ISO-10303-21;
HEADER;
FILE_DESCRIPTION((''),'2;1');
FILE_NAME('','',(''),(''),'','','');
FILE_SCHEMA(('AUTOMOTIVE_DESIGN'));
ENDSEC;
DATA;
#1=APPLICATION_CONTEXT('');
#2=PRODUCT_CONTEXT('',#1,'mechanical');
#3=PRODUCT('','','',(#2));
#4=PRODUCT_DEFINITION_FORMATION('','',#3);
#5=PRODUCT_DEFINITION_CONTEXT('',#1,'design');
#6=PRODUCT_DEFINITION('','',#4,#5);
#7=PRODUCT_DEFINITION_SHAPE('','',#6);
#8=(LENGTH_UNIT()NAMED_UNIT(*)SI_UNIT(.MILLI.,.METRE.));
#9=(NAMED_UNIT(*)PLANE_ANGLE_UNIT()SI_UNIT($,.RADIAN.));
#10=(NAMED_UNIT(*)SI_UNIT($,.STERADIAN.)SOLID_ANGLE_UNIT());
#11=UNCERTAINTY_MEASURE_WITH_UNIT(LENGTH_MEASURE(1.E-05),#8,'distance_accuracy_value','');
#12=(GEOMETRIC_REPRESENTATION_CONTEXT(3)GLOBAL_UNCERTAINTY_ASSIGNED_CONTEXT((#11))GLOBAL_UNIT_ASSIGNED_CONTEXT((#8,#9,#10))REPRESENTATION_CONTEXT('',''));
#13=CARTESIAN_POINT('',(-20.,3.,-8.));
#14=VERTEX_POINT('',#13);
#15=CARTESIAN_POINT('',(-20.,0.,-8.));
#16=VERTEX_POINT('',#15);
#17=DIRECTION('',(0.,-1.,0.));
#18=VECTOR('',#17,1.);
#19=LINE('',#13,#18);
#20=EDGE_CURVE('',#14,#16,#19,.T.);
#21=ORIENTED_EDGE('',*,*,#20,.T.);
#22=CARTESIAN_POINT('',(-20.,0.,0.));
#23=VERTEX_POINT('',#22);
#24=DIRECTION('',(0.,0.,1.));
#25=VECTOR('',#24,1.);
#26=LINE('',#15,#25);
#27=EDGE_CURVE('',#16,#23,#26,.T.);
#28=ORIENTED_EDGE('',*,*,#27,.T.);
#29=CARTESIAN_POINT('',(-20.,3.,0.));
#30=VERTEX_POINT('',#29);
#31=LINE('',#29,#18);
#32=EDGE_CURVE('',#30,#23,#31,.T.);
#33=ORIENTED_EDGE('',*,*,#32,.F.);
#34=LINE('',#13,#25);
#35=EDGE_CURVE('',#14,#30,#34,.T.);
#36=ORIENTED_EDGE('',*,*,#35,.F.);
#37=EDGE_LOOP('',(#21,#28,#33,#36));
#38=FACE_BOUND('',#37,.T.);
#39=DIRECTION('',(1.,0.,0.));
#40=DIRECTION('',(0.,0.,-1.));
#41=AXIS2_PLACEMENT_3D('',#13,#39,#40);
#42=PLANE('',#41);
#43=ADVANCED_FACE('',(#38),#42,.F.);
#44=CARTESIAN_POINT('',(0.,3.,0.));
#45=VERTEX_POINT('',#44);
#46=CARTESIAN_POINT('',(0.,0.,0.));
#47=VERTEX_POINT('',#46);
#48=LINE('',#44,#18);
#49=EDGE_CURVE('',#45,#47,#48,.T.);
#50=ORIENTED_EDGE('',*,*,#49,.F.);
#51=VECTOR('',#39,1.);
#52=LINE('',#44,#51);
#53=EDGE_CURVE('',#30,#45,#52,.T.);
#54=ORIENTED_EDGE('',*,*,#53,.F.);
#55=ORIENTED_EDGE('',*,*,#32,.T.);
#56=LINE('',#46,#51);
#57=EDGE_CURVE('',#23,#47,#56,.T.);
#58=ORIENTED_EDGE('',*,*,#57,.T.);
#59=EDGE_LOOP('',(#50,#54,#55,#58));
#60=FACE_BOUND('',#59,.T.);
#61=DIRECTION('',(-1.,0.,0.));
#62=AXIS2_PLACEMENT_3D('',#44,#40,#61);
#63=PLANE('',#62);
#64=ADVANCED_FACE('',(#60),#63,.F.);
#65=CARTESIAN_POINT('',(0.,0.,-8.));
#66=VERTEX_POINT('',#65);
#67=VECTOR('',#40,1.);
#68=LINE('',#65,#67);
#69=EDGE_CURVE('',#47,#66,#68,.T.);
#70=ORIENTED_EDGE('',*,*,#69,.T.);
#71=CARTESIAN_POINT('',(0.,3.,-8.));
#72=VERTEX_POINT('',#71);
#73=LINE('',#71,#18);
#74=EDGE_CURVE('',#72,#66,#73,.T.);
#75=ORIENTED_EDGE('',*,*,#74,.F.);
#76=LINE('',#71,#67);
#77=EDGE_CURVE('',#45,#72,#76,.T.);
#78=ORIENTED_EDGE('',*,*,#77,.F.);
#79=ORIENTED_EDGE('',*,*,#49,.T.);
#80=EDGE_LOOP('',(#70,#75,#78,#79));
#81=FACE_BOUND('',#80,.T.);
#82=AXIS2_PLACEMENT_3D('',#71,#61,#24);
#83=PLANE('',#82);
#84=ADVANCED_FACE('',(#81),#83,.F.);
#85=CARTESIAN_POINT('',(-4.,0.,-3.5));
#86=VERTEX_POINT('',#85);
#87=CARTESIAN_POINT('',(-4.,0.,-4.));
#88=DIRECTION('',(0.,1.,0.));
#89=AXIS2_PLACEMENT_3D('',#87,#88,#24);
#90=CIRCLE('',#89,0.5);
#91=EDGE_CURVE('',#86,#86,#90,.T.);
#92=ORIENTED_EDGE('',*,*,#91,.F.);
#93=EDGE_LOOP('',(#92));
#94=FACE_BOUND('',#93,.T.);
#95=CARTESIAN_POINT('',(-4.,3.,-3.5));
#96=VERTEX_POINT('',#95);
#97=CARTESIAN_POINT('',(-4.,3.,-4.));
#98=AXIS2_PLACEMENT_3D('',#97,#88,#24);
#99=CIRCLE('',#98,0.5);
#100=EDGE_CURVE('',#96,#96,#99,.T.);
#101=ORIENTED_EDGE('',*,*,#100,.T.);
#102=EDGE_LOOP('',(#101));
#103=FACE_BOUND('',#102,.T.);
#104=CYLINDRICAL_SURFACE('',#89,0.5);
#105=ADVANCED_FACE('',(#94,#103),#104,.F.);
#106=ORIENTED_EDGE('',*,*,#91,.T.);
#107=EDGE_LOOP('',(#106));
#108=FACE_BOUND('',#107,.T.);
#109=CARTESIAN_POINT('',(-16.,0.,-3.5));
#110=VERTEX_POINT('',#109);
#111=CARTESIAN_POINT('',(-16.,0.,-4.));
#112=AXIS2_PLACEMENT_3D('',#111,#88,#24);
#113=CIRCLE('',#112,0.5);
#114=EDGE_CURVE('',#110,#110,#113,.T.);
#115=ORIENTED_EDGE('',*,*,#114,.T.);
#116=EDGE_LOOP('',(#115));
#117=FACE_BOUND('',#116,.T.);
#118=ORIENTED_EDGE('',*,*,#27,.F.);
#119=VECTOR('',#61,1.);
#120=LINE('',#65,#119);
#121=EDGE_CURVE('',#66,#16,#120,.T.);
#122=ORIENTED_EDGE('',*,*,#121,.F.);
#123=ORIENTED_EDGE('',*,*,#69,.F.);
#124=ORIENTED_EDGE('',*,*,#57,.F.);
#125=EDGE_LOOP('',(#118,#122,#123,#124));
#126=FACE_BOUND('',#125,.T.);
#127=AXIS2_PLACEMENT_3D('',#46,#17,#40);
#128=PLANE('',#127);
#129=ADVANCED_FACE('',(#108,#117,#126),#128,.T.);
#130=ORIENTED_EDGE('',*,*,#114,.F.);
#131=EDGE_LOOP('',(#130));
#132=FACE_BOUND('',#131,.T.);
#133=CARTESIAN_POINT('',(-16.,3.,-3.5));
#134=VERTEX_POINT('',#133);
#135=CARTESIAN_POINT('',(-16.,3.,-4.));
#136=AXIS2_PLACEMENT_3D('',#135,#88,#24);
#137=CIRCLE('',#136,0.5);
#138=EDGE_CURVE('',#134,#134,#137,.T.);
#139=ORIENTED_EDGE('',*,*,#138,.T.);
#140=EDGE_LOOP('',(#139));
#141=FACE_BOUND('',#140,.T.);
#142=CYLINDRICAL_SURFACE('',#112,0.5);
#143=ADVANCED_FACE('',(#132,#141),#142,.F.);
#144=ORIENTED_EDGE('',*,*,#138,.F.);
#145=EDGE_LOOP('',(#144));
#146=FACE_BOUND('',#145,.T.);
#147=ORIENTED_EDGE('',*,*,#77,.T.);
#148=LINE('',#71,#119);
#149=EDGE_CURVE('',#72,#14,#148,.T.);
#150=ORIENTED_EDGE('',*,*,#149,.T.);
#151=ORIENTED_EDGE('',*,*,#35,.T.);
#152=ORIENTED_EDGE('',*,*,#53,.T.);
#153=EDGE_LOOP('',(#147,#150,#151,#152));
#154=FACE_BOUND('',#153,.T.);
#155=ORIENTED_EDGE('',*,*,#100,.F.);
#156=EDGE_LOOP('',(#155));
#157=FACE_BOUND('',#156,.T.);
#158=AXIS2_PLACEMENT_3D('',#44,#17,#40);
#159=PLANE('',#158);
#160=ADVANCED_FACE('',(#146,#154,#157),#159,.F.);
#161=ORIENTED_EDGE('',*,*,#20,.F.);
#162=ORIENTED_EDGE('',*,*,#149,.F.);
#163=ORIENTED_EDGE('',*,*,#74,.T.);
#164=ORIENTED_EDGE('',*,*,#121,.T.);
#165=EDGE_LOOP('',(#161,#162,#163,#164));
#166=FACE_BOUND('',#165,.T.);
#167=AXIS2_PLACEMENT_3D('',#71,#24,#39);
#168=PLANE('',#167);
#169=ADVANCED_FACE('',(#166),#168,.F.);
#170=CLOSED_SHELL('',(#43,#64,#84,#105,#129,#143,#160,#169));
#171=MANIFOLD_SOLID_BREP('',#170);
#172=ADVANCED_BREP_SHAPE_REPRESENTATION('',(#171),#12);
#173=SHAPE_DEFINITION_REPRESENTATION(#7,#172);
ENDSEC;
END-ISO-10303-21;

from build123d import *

# Parameters (mm, degrees)
SKETCH1_W           = 20
SKETCH1_H           = 8
BOSS_EXTRUDE1_DEPTH = 3
SKETCH4_R           = 0.5
CUT_EXTRUDE1_DEPTH  = 22.748563171


with BuildPart() as part:
    # Sketch1 → Boss-Extrude1 (new body)
    with BuildSketch(Plane(origin=(0, 0, 0), x_dir=(1, 0, 0), z_dir=(0, 1, 0))):
        with Locations((-10, 4)):
            Rectangle(SKETCH1_W, SKETCH1_H)
    extrude(amount=BOSS_EXTRUDE1_DEPTH)

    # Sketch4 → Cut-Extrude1 (cut, through all)
    with BuildSketch(Plane(origin=(0, 3, 0), x_dir=(1, 0, 0), z_dir=(0, 1, 0))):
        with Locations(Location((-16, 4, 0), (0, 0, 270))):
            Circle(SKETCH4_R)
        with Locations(Location((-4, 4, 0), (0, 0, 270))):
            Circle(SKETCH4_R)
    extrude(amount=-CUT_EXTRUDE1_DEPTH, mode=Mode.SUBTRACT)


solid = part.part
